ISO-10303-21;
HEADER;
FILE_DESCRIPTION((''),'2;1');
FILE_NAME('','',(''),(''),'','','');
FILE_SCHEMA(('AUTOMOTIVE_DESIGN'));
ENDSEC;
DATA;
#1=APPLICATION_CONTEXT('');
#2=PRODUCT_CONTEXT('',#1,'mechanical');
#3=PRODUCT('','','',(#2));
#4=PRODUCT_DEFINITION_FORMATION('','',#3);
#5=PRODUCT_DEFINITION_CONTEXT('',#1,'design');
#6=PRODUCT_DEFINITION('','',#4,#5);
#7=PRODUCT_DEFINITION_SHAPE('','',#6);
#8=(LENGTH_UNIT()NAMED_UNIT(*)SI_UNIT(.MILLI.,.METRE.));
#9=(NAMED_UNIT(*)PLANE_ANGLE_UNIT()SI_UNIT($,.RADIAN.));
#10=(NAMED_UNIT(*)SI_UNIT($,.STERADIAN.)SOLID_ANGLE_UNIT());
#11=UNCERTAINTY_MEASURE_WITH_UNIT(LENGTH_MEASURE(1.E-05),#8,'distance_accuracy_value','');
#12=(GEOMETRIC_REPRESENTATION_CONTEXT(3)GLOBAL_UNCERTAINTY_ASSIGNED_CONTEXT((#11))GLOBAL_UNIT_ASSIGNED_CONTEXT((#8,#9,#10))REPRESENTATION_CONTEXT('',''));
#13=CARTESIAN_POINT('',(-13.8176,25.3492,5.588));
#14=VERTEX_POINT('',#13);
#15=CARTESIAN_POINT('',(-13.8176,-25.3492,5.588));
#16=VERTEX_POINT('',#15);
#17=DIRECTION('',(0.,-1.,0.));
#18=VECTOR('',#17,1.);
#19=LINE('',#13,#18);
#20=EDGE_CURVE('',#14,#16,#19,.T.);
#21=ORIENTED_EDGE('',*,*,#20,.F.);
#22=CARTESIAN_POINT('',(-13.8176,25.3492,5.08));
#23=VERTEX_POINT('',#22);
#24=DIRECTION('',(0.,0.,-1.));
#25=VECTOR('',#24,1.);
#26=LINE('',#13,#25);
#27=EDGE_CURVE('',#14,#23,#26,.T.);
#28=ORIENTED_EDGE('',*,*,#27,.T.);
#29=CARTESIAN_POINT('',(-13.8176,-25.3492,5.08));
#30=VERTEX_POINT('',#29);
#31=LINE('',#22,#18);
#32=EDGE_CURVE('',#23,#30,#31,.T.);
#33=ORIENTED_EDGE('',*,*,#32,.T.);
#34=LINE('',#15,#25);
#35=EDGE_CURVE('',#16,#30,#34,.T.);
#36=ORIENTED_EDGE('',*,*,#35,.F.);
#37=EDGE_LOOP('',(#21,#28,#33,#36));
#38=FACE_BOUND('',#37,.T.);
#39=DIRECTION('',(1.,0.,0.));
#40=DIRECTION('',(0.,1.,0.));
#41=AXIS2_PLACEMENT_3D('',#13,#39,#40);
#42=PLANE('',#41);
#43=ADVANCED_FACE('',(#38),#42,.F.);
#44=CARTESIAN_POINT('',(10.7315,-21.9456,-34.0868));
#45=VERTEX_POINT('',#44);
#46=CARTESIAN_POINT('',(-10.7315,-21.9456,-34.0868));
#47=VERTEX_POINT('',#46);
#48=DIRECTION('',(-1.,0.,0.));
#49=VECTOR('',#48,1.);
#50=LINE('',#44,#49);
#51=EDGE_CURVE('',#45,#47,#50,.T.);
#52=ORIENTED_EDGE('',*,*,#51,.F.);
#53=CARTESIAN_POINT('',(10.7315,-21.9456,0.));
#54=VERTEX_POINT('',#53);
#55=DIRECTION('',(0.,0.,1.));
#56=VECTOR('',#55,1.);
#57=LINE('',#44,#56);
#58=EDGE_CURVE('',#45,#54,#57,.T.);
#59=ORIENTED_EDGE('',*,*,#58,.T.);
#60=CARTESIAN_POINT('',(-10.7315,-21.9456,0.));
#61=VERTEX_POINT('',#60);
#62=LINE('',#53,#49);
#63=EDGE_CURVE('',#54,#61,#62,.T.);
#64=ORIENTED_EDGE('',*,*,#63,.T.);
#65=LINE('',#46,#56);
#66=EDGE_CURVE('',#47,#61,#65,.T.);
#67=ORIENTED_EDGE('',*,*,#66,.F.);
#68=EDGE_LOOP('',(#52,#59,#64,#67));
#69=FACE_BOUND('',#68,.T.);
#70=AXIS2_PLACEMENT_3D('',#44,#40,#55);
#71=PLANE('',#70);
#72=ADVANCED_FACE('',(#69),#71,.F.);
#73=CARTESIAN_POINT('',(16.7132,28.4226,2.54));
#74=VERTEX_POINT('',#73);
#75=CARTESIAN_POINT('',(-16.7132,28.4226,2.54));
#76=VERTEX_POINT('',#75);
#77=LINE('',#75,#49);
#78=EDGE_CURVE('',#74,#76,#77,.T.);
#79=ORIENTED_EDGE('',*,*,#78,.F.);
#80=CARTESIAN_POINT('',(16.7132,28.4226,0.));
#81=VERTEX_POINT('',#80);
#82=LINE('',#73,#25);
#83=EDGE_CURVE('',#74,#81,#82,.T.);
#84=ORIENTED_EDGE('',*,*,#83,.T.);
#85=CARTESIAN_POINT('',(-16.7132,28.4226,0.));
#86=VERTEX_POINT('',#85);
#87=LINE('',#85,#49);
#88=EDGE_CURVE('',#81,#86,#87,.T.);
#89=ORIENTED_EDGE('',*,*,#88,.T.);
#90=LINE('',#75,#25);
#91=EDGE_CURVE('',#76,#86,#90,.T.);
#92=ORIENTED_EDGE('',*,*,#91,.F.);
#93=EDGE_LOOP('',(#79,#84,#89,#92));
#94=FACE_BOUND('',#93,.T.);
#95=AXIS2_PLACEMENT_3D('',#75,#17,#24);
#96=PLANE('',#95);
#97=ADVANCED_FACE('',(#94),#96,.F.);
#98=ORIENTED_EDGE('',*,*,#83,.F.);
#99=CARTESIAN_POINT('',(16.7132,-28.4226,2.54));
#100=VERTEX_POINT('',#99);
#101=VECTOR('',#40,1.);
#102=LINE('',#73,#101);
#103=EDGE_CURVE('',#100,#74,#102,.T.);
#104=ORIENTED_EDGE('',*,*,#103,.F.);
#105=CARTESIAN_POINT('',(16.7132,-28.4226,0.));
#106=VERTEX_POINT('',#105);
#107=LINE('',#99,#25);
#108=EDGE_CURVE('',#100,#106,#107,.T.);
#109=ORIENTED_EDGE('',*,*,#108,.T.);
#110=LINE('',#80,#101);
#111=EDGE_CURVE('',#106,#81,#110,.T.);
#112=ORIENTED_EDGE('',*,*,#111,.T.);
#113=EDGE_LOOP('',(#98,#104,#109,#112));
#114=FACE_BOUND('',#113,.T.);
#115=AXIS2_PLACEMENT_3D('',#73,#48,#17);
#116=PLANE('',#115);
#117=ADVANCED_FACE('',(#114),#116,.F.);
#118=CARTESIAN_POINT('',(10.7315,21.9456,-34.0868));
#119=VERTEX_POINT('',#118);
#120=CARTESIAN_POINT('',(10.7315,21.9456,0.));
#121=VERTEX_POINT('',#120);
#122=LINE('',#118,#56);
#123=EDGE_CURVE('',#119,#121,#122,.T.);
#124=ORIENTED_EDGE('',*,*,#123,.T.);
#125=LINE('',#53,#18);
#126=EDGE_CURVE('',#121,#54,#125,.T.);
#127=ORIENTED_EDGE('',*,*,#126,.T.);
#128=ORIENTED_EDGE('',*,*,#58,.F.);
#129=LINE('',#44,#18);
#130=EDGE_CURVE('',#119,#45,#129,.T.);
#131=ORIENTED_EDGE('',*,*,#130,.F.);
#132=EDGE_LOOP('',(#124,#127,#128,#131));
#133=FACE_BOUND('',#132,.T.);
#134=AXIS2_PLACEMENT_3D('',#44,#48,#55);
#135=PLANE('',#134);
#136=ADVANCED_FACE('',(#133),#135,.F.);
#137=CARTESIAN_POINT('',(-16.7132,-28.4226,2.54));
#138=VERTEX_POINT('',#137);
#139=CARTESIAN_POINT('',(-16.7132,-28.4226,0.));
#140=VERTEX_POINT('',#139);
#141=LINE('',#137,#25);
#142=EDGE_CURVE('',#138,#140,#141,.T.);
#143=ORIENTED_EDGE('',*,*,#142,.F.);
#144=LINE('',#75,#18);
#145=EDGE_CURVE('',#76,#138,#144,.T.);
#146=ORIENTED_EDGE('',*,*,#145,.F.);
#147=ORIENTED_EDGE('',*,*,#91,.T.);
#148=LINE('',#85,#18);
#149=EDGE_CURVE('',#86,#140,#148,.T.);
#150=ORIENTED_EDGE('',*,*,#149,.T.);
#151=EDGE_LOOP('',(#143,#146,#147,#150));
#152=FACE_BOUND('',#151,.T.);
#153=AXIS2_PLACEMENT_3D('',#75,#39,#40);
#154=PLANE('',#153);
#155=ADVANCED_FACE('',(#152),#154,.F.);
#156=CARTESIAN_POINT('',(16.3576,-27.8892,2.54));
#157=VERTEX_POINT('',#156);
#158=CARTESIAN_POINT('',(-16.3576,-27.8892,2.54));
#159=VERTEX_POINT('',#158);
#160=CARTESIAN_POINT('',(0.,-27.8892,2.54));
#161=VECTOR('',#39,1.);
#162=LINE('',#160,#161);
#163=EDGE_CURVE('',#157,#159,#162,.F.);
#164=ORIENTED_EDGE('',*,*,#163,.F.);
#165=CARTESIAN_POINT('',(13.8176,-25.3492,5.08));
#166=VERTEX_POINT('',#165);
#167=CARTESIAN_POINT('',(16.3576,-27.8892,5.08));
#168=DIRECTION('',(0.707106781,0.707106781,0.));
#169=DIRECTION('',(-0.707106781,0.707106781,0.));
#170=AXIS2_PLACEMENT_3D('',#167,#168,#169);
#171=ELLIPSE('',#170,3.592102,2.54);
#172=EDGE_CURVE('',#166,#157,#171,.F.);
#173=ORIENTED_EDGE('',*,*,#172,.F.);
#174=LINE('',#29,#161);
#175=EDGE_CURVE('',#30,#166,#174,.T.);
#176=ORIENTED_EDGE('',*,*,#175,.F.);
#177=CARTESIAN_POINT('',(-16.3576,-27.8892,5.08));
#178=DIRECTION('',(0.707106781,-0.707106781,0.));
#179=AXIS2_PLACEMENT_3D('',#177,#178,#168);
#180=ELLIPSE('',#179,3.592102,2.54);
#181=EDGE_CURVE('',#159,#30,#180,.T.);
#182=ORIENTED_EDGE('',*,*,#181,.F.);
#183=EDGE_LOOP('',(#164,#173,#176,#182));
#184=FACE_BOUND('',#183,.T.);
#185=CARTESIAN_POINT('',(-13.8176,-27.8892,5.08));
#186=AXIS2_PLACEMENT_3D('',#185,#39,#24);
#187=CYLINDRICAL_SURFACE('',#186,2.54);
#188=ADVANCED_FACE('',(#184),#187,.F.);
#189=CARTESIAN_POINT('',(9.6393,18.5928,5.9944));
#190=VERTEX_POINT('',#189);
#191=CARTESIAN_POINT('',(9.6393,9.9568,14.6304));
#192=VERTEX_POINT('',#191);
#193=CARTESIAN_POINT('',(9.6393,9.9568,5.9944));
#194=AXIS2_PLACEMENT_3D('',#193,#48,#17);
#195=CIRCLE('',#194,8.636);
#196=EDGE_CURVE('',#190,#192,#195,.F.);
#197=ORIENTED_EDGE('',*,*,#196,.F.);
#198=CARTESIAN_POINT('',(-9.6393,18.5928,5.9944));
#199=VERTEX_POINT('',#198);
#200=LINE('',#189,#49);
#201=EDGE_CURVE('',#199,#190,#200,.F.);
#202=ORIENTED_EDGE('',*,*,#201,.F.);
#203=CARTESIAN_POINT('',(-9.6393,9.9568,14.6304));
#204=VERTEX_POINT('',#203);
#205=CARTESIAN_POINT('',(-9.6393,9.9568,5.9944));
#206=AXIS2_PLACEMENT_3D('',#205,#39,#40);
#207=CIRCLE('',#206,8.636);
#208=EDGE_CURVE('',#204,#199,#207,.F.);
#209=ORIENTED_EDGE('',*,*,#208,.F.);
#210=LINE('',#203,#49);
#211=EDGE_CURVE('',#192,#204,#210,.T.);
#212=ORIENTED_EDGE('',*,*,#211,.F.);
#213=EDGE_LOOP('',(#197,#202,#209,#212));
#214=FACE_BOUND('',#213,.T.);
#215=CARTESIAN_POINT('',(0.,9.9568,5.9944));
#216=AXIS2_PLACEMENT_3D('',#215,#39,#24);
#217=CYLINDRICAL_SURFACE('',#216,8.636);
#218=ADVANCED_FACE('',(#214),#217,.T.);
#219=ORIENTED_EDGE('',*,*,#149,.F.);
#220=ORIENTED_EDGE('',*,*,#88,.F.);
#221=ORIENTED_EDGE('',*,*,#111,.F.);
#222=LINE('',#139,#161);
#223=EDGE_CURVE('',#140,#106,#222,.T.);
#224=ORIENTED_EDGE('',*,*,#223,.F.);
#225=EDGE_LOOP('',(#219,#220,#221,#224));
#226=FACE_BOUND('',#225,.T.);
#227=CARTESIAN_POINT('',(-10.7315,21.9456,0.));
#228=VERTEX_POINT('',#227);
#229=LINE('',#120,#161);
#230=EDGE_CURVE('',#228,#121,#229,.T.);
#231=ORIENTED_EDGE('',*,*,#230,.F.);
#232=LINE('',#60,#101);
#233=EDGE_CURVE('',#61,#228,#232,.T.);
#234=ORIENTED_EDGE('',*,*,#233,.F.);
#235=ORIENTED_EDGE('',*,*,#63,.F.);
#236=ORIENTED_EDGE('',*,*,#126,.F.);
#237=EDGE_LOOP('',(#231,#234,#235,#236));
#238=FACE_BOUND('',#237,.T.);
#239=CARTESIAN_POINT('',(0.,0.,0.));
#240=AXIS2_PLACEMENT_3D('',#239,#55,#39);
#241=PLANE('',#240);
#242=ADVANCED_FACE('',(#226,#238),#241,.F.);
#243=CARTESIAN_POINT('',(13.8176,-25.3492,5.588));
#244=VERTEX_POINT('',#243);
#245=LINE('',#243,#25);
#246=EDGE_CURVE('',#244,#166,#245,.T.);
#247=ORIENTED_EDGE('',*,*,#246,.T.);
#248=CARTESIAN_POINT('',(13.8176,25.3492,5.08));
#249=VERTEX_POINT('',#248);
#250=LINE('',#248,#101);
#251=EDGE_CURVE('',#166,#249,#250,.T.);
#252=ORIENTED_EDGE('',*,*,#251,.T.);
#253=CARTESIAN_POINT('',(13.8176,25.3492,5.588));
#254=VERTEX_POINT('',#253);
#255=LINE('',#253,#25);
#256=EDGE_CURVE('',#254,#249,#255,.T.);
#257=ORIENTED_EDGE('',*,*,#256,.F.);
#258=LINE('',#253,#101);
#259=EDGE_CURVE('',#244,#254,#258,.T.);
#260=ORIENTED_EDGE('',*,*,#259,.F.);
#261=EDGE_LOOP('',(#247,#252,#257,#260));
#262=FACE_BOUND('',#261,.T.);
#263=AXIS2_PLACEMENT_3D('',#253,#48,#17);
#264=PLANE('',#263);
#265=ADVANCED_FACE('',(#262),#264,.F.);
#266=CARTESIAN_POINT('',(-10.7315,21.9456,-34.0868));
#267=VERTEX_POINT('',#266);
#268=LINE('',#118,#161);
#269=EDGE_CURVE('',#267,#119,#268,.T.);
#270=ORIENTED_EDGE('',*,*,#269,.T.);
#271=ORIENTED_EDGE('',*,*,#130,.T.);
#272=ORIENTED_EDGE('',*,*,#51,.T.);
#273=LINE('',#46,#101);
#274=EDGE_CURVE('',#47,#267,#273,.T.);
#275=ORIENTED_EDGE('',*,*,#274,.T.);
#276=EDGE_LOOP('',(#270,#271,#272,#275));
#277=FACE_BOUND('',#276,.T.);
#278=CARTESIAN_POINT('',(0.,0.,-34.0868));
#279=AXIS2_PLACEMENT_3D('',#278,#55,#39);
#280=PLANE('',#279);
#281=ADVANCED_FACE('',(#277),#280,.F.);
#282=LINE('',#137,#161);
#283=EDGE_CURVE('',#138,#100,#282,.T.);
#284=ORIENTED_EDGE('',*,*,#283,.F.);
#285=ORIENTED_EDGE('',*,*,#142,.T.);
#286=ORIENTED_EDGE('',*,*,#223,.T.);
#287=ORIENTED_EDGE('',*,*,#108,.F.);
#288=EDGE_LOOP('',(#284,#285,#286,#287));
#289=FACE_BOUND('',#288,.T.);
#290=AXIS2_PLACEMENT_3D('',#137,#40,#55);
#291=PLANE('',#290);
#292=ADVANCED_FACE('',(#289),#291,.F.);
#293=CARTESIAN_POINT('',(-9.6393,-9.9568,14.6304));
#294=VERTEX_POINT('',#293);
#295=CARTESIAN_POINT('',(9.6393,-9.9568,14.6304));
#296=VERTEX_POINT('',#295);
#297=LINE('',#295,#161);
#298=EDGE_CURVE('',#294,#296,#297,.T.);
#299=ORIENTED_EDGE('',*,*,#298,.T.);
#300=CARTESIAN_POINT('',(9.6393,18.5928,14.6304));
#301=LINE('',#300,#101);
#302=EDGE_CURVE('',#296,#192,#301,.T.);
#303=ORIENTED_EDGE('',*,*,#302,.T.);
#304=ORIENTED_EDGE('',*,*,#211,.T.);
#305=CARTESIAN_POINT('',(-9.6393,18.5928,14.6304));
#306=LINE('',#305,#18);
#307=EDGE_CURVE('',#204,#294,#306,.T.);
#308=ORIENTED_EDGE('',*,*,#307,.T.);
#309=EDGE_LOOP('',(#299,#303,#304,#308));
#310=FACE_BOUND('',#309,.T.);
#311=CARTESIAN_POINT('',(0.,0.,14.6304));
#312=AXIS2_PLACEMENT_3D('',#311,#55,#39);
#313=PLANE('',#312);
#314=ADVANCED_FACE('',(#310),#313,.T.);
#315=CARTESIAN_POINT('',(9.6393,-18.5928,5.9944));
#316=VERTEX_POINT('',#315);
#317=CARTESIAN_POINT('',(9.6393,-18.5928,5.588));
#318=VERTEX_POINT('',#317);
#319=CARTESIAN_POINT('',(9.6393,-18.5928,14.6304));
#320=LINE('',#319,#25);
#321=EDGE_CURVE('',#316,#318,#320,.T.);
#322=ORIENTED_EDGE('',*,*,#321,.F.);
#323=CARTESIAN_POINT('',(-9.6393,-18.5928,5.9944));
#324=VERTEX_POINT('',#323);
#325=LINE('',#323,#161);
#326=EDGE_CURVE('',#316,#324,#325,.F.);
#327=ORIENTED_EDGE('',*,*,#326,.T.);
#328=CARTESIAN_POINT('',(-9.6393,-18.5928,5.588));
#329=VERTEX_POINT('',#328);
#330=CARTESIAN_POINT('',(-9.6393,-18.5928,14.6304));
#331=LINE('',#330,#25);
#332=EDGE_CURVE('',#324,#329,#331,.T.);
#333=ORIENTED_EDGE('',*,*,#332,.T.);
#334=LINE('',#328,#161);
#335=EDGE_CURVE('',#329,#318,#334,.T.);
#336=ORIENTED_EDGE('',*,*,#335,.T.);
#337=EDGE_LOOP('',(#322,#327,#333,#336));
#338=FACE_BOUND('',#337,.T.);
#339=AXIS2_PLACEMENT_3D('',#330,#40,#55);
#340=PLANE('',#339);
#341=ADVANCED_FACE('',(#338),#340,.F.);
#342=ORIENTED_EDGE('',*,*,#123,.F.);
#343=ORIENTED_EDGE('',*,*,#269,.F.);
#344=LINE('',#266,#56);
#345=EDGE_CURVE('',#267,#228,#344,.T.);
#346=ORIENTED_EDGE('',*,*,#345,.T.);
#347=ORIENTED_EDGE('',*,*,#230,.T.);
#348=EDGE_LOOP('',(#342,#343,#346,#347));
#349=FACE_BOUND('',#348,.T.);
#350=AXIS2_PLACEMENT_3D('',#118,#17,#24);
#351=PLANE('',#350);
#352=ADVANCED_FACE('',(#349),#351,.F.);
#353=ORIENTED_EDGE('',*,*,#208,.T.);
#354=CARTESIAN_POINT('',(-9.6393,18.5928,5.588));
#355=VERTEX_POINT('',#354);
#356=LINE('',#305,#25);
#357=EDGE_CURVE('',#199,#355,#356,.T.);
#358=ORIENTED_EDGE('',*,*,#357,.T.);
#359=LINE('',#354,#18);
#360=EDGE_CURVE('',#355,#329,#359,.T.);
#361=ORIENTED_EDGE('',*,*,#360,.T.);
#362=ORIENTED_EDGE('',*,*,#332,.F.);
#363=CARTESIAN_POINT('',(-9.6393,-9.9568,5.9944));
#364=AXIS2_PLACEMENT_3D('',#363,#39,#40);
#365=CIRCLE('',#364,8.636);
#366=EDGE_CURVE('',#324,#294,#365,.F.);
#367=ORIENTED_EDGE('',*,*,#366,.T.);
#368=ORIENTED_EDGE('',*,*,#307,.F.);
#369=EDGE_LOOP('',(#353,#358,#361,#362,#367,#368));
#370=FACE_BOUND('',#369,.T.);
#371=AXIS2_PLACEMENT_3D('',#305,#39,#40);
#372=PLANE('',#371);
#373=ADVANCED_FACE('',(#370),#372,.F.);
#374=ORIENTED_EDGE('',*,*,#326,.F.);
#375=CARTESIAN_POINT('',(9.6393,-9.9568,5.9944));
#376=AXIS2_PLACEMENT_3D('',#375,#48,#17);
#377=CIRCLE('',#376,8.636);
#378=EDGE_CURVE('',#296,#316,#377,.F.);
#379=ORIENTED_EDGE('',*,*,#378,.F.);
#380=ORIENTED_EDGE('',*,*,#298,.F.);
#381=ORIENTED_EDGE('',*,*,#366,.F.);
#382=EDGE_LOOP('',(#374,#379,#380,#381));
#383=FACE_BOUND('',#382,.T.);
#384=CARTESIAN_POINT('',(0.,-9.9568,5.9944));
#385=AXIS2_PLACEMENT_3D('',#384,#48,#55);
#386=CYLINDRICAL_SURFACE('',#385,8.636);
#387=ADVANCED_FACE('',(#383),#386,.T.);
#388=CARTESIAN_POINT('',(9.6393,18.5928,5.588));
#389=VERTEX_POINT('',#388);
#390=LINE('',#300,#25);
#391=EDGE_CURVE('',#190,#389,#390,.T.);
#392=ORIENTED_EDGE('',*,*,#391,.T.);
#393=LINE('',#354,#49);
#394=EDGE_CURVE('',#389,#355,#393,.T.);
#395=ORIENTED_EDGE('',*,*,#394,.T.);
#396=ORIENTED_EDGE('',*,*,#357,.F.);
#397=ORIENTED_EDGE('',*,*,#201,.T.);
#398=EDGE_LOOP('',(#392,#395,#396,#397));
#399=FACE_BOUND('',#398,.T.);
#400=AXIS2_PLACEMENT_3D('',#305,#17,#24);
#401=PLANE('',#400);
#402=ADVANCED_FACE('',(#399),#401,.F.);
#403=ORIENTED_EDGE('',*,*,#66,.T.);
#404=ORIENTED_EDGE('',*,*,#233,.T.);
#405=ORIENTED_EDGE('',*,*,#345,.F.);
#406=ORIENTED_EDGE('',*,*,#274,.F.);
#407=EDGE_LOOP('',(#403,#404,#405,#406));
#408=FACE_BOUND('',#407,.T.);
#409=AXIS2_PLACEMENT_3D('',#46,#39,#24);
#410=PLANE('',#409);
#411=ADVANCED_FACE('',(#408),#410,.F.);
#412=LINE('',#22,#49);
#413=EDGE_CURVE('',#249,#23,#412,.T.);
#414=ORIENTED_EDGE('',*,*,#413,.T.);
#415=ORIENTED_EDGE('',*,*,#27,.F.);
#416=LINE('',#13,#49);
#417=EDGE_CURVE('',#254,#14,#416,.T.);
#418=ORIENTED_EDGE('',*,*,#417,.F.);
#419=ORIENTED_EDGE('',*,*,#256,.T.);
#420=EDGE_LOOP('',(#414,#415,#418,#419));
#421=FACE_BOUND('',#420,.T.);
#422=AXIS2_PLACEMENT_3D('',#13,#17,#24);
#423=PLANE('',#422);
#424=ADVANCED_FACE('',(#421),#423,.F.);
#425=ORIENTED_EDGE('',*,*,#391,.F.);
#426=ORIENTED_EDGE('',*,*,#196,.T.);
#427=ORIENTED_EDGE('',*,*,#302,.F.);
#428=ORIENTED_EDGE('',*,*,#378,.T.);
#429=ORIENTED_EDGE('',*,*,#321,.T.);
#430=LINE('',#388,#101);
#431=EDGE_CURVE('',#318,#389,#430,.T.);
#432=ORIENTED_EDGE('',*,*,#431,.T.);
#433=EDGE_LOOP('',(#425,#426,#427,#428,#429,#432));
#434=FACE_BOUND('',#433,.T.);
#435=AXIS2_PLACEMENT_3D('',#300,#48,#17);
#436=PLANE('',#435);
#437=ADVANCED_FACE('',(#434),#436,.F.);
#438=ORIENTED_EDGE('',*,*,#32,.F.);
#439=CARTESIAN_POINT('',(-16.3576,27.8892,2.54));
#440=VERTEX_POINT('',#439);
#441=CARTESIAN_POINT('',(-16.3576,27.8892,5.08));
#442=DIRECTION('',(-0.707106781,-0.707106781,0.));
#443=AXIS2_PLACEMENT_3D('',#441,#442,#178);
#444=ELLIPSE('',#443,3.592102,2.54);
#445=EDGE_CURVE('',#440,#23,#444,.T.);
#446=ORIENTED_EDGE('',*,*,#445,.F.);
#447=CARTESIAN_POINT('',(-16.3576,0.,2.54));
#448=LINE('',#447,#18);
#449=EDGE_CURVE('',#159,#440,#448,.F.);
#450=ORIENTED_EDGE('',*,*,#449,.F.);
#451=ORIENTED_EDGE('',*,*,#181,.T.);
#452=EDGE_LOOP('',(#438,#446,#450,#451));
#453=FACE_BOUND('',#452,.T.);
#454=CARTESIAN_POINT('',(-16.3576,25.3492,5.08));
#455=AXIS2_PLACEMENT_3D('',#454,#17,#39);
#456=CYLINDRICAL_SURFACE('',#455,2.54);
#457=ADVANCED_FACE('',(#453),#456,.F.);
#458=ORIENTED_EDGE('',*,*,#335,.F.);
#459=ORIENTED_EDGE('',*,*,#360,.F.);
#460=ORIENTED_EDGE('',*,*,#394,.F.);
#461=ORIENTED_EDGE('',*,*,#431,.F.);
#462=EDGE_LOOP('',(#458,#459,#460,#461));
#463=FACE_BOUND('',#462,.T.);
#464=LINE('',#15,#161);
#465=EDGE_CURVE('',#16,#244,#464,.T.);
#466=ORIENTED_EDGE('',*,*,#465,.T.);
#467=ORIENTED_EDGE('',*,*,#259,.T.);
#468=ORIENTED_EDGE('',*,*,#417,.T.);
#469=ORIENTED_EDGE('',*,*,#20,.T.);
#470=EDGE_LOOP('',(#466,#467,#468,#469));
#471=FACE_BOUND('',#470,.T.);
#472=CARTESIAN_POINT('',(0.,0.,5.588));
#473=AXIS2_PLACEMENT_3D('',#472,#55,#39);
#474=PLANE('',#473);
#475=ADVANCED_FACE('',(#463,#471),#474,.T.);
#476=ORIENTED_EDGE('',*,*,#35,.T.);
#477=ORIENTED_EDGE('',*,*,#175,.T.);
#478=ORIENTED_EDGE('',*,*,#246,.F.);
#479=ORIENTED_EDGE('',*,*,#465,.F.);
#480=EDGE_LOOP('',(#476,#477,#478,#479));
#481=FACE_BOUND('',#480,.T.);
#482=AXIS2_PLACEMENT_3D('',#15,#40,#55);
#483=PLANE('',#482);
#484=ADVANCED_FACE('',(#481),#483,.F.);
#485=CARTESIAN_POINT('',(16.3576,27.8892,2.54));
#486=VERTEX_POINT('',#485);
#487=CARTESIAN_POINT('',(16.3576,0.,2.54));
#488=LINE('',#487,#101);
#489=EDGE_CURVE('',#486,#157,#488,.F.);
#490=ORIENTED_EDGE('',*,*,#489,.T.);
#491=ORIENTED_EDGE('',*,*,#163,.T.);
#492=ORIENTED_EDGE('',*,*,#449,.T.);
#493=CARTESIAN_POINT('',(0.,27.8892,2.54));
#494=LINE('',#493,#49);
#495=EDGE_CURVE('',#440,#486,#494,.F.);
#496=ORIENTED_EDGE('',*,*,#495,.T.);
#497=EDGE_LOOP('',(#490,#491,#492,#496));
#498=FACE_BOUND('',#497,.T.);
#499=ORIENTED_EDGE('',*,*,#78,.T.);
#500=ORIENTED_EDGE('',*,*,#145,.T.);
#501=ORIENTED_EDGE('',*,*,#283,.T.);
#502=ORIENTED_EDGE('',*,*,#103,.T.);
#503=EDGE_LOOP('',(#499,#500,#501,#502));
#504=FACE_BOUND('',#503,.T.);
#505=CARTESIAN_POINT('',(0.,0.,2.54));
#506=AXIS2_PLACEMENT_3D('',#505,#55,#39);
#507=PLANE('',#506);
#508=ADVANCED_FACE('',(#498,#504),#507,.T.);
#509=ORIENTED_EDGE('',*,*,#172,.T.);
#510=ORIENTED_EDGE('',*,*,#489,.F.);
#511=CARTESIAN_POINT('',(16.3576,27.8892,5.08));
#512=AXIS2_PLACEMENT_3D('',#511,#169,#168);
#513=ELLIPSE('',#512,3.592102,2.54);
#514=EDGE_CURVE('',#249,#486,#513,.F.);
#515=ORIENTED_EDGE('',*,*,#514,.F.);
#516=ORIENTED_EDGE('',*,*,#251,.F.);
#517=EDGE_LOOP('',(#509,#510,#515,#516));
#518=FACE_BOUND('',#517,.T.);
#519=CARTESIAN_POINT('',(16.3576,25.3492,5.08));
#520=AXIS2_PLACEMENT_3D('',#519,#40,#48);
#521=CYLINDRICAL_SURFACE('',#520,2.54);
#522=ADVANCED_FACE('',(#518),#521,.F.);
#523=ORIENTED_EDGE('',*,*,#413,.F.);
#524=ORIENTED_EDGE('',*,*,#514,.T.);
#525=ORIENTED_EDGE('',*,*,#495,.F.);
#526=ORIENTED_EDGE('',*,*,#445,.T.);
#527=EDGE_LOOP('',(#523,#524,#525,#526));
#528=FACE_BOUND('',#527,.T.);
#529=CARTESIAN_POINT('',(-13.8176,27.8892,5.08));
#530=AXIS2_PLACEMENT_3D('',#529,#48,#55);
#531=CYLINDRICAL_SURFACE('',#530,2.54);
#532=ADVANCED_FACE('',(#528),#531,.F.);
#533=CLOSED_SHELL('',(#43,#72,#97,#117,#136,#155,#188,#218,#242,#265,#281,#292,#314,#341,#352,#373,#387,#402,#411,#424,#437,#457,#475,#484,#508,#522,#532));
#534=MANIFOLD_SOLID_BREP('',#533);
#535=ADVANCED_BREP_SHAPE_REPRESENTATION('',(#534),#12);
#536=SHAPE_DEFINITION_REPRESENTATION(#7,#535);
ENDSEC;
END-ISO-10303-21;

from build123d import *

# Parameters (mm, degrees)
SKETCH1_W           = 33.4264
SKETCH1_H           = 56.8452
BOSS_EXTRUDE1_DEPTH = 2.54
SKETCH2_W           = 27.6352
SKETCH2_H           = 50.6984
BOSS_EXTRUDE2_DEPTH = 3.048
SKETCH3_W           = 19.2786
SKETCH3_H           = 37.1856
BOSS_EXTRUDE3_DEPTH = 9.0424
FILLET1_R           = 2.54
FILLET7_R           = 8.636
SKETCH4_W           = 21.463
SKETCH4_H           = 43.8912
BOSS_EXTRUDE4_DEPTH = 34.0868


with BuildPart() as part:
    # Sketch1 → Boss-Extrude1 (new body)
    with BuildSketch(Plane.XY):
        Rectangle(SKETCH1_W, SKETCH1_H)
    extrude(amount=BOSS_EXTRUDE1_DEPTH)

    # Sketch2 → Boss-Extrude2 (add)
    with BuildSketch(Plane.XY.offset(2.54)):
        Rectangle(SKETCH2_W, SKETCH2_H)
    extrude(amount=BOSS_EXTRUDE2_DEPTH)

    # Sketch3 → Boss-Extrude3 (add)
    with BuildSketch(Plane.XY.offset(5.588)):
        Rectangle(SKETCH3_W, SKETCH3_H)
    extrude(amount=BOSS_EXTRUDE3_DEPTH)

    # Fillet1
    fillet1_edges = [part.edges().sort_by_distance(p)[0] for p in [
        (13.8176, 0, 2.54),
        (0, 25.3492, 2.54),
        (-13.8176, 0, 2.54),
        (0, -25.3492, 2.54),
    ]]
    fillet(fillet1_edges, radius=FILLET1_R)

    # Fillet7
    fillet7_edges = [part.edges().sort_by_distance(p)[0] for p in [
        (0, 18.5928, 14.6304),
        (0, -18.5928, 14.6304),
    ]]
    fillet(fillet7_edges, radius=FILLET7_R)

    # Sketch4 → Boss-Extrude4 (add)
    with BuildSketch(Plane(origin=(0, 0, 0), x_dir=(-1, 0, 0), z_dir=(0, 0, -1))):
        Rectangle(SKETCH4_W, SKETCH4_H)
    extrude(amount=BOSS_EXTRUDE4_DEPTH)


solid = part.part
